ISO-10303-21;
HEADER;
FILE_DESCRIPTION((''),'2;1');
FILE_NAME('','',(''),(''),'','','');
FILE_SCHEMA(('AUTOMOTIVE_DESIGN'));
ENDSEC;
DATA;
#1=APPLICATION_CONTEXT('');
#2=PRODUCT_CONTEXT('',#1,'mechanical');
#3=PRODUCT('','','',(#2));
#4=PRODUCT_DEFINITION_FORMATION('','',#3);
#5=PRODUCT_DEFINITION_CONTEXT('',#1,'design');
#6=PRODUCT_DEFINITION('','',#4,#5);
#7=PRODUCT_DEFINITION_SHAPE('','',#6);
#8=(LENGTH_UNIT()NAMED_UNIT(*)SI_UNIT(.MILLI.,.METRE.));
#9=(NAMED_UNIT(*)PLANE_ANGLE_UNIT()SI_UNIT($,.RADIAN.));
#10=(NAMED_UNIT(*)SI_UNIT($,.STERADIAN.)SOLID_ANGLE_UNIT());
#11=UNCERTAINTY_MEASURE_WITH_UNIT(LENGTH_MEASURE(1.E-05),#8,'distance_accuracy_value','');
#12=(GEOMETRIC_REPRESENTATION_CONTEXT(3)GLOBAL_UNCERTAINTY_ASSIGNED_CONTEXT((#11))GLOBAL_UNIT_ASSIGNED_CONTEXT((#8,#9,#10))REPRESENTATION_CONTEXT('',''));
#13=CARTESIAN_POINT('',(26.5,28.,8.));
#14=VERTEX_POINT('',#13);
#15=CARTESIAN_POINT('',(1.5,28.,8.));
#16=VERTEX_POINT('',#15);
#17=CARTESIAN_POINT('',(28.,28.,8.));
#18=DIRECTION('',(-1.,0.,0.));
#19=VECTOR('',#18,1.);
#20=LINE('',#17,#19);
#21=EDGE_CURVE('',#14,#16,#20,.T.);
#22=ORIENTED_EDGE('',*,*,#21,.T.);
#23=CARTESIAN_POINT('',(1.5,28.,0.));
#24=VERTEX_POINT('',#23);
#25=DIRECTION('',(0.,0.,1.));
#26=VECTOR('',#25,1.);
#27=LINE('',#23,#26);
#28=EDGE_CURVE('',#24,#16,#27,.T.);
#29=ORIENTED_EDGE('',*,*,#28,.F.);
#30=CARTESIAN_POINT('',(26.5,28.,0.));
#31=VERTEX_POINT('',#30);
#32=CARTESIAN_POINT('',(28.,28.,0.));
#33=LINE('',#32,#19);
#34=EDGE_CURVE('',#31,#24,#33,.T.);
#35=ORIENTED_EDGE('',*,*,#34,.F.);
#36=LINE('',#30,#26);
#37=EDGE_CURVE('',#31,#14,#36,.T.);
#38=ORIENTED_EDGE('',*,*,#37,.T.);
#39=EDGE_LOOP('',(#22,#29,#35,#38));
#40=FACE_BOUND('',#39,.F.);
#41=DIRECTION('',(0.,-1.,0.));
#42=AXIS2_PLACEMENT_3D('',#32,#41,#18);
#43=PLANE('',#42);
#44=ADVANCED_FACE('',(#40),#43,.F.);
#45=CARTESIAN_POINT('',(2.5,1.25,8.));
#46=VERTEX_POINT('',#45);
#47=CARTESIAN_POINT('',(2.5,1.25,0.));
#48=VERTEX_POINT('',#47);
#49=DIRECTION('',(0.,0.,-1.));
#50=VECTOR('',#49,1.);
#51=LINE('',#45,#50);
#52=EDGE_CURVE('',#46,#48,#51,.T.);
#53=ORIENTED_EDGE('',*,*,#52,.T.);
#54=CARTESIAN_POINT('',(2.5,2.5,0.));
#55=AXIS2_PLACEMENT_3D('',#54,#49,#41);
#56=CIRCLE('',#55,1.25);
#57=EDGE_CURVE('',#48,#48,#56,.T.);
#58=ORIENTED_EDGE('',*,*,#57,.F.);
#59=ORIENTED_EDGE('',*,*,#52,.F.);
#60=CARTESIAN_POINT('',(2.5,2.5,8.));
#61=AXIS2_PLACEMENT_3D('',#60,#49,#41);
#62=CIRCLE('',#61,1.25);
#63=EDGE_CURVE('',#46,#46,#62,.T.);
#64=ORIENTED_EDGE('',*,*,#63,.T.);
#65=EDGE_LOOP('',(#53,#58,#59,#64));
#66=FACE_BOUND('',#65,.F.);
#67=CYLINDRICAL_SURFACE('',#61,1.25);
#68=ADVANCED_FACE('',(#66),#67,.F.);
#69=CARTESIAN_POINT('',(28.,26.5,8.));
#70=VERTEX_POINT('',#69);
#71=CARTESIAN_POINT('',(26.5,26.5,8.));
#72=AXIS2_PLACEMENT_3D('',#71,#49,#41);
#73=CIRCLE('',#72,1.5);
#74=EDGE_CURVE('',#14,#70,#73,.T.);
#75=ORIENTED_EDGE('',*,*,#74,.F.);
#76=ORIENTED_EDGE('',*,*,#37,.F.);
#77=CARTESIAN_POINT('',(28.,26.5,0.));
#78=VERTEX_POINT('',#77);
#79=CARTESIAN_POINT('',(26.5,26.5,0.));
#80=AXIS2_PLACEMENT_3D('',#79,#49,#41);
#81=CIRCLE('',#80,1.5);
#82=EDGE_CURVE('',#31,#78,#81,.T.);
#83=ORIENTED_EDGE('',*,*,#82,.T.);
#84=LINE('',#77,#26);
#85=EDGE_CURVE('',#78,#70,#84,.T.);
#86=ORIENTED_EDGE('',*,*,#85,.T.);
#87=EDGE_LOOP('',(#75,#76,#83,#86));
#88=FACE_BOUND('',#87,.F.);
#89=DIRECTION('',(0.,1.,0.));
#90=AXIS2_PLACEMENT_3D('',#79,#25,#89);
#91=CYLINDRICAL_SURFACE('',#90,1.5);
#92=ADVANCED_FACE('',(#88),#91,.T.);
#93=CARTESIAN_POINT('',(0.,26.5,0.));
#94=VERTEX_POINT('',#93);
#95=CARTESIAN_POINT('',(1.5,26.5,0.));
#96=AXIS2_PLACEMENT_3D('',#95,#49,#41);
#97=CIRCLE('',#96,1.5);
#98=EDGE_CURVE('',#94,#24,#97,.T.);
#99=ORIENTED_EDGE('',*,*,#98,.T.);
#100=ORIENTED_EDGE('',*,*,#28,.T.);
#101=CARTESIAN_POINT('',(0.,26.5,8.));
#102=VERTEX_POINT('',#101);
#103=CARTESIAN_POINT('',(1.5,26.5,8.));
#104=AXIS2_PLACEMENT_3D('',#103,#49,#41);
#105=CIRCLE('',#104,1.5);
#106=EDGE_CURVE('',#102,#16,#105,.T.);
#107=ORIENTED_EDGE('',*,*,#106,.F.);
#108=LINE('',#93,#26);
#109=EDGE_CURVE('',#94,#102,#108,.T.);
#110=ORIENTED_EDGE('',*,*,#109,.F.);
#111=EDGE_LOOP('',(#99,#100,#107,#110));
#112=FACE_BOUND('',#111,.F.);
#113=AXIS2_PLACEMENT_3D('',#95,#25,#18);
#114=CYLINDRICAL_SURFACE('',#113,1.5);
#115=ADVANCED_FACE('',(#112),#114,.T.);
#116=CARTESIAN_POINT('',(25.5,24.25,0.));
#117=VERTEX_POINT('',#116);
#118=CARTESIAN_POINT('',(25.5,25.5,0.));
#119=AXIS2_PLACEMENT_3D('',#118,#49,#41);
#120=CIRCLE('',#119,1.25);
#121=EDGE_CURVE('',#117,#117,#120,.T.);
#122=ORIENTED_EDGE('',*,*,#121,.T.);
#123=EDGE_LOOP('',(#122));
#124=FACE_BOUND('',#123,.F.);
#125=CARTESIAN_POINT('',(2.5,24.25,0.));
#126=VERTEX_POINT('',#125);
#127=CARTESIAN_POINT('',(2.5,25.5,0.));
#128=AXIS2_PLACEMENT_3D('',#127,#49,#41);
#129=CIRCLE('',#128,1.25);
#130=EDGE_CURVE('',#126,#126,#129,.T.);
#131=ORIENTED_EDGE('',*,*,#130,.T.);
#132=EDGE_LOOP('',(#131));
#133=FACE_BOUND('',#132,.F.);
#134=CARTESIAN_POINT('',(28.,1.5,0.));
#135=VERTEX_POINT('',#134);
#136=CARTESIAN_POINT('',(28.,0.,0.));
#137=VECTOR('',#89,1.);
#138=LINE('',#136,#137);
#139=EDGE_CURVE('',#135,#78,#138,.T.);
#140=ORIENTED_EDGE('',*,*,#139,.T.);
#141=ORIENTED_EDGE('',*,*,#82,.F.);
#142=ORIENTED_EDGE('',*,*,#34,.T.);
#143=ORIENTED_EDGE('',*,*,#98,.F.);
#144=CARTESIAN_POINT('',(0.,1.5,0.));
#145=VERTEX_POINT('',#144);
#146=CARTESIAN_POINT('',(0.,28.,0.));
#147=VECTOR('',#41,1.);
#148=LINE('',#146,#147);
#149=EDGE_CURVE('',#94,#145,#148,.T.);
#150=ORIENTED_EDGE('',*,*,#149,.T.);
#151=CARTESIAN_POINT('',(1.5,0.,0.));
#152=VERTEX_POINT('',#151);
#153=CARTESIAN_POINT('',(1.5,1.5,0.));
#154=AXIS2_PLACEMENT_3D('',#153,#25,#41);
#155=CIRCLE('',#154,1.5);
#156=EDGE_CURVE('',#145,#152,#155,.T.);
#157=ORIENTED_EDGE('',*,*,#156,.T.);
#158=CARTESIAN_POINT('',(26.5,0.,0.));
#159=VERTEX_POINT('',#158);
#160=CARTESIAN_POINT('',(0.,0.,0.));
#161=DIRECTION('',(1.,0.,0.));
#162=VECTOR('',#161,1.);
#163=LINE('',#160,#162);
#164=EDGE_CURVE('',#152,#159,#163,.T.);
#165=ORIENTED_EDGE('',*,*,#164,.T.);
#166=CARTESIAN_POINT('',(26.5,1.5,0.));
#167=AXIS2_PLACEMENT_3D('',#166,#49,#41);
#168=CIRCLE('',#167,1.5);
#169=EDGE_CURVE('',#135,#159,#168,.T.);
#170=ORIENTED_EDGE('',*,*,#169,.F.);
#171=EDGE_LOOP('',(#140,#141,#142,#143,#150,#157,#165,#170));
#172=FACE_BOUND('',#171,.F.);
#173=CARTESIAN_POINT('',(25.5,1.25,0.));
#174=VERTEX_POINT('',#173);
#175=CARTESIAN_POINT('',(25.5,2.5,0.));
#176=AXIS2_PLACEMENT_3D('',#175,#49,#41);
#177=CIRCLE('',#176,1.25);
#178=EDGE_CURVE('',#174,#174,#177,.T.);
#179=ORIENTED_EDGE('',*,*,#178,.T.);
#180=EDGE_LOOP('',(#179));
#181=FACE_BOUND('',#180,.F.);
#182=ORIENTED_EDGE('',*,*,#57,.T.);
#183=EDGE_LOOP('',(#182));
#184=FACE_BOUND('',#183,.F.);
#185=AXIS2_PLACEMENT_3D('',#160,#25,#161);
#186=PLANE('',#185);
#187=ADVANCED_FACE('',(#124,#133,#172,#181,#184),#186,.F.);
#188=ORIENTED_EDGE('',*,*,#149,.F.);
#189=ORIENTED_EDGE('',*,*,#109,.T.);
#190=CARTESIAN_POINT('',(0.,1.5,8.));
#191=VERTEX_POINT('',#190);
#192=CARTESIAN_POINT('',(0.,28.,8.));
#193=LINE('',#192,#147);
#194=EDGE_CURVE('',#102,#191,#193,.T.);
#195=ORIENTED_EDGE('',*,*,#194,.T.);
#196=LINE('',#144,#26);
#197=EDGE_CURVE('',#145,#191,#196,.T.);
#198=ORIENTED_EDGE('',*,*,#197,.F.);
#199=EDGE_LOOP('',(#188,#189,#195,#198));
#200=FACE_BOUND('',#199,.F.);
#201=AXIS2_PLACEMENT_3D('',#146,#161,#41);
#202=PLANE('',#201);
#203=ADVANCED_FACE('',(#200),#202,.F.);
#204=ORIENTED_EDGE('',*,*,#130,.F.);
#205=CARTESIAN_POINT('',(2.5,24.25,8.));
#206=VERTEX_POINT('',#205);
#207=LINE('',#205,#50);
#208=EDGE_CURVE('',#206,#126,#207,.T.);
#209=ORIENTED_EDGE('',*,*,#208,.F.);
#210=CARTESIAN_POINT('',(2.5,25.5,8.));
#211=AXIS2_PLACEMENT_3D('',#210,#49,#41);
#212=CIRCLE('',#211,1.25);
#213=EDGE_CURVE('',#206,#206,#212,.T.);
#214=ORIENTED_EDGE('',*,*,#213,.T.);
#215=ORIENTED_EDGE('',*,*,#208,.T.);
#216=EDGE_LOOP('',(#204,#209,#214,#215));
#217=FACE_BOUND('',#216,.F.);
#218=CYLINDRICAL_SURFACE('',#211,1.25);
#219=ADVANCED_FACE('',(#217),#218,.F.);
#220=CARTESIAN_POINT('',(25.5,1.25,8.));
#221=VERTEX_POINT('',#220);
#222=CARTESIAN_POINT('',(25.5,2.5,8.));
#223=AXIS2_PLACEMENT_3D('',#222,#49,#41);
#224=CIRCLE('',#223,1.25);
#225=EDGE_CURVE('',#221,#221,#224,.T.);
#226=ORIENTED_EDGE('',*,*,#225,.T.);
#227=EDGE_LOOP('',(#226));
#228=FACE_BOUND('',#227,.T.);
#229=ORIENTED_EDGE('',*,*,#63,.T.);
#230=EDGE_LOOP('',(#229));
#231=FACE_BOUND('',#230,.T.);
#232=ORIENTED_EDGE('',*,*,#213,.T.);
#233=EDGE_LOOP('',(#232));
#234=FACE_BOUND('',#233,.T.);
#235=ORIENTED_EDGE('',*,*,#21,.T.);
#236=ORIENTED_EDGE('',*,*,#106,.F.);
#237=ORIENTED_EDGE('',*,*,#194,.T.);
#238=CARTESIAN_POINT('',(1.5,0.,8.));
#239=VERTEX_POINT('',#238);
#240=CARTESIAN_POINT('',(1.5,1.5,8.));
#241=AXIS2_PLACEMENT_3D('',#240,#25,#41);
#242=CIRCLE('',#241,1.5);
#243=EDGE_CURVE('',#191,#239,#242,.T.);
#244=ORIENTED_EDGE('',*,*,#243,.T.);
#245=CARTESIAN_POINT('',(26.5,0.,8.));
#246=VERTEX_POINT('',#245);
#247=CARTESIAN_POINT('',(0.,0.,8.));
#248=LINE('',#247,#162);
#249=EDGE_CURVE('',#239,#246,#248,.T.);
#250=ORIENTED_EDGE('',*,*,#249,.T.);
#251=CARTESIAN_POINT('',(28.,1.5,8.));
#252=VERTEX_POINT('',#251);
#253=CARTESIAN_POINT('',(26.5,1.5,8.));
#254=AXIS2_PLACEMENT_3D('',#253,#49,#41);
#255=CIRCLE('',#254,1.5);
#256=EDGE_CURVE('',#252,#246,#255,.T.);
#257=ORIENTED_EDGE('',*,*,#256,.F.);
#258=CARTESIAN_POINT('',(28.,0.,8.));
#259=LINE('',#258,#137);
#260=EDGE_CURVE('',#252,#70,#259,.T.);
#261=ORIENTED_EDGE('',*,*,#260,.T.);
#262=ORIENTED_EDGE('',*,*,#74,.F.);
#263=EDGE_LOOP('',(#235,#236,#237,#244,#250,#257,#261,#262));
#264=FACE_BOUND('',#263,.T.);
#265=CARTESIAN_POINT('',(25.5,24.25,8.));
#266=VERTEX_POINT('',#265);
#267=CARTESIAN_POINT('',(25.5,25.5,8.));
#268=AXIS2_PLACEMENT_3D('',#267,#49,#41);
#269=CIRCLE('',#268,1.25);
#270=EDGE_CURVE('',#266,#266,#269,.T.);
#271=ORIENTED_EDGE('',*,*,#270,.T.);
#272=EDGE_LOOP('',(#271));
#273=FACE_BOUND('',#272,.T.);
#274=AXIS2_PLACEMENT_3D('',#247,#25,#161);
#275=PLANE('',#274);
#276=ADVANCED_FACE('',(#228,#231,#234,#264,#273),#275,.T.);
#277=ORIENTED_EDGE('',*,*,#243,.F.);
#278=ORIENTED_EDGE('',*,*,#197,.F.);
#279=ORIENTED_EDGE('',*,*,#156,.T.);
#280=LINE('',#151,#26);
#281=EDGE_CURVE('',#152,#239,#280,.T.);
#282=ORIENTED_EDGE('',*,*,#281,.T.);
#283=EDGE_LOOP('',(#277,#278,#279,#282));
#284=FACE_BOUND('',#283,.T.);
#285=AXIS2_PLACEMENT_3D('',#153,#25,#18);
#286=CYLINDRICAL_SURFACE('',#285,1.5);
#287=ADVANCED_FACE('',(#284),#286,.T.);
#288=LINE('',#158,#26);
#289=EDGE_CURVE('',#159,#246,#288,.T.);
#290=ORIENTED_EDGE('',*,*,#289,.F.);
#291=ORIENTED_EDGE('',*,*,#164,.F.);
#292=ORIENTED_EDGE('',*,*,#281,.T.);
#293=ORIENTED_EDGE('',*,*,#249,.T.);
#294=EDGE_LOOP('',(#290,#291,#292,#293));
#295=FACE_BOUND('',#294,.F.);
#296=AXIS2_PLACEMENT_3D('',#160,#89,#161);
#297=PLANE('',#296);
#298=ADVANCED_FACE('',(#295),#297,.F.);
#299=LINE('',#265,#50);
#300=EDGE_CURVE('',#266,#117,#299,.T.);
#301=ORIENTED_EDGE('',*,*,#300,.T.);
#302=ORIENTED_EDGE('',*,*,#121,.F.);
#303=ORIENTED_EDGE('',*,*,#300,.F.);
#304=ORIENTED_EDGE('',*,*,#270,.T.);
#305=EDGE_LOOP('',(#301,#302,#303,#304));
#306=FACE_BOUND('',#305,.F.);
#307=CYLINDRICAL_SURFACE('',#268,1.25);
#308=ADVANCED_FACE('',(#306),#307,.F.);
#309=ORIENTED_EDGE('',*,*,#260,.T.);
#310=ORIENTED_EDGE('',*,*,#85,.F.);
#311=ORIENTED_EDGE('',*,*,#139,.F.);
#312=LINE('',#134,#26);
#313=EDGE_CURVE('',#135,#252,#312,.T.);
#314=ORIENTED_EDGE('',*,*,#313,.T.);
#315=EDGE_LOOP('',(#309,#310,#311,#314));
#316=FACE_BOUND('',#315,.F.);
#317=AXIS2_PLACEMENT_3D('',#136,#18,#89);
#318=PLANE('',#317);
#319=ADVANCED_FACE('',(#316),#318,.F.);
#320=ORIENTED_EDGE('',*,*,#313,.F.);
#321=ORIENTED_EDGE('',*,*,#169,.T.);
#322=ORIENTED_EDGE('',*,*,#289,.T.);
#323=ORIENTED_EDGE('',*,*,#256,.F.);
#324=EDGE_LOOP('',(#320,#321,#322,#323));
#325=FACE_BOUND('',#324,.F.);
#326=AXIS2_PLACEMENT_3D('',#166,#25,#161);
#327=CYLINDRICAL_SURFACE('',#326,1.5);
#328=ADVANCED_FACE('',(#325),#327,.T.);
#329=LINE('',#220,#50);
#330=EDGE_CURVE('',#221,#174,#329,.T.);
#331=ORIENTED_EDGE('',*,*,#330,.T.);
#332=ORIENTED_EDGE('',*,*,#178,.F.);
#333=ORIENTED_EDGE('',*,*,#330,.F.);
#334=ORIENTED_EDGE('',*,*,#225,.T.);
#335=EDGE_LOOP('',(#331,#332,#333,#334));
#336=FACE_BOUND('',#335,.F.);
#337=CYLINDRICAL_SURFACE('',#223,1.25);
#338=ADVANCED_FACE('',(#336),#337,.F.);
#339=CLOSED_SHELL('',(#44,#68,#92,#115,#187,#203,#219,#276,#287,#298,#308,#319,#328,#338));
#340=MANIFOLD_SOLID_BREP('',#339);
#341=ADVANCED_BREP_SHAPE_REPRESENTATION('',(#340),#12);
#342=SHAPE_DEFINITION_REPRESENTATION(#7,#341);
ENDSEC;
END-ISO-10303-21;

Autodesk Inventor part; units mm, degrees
ref_plane "YZ Plane" through (0, 0, 0) normal (1, 0, 0) x (0, 1, 0)
ref_plane "XZ Plane" through (0, 0, 0) normal (0, 1, 0) x (-1, 0, 0)
ref_plane "XY Plane" through (0, 0, 0) normal (0, 0, 1) x (1, 0, 0)
sketch "Sketch1" plane through (0, 0, 0) normal (0, 0, 1) x (1, 0, 0)
  line L0 (0, 0) -> (28, 0)
  line L1 (28, 0) -> (28, 28)
  line L2 (28, 28) -> (0, 28)
  line L3 (0, 28) -> (0, 0)
  dimension "d0" = 28
  dimension "d1" = 28
extrude "Extrusion1" add sketch "Sketch1" along normal blind 8
fillet "Fillet1" radius 1.5 4 edges at (0, 0, 4) (28, 0, 4) (0, 28, 4) (28, 28, 4)
sketch "Sketch3" plane through (0, 0, 8) normal (0, 0, 1) x (1, 0, 0)
  line L0 (1.5, 28) -> (26.5, 28) projected
  line L1 (0, 1.5) -> (0, 26.5) projected
  line L2 (26.5, 0) -> (1.5, 0) projected
  line L3 (28, 26.5) -> (28, 1.5) projected
  point P0 (2.5, 2.5)
  point P1 (25.5, 2.5)
  point P2 (2.5, 25.5)
  point P3 (25.5, 25.5)
  dimension "d10" = 2.5
  dimension "d11" = 2.5
  dimension "d12" = 2.5
  dimension "d13" = 2.5
  dimension "d14" = 2.5
  dimension "d15" = 2.5
  dimension "d16" = 2.5
  dimension "d17" = 2.5
hole "Hole1" at (2.5, 2.5, 8) at (25.5, 2.5, 8) at (2.5, 25.5, 8) at (25.5, 25.5, 8) direction (0, 0, -1) diameter 2.5 end through all
properties part number "stepper_middle_28"
